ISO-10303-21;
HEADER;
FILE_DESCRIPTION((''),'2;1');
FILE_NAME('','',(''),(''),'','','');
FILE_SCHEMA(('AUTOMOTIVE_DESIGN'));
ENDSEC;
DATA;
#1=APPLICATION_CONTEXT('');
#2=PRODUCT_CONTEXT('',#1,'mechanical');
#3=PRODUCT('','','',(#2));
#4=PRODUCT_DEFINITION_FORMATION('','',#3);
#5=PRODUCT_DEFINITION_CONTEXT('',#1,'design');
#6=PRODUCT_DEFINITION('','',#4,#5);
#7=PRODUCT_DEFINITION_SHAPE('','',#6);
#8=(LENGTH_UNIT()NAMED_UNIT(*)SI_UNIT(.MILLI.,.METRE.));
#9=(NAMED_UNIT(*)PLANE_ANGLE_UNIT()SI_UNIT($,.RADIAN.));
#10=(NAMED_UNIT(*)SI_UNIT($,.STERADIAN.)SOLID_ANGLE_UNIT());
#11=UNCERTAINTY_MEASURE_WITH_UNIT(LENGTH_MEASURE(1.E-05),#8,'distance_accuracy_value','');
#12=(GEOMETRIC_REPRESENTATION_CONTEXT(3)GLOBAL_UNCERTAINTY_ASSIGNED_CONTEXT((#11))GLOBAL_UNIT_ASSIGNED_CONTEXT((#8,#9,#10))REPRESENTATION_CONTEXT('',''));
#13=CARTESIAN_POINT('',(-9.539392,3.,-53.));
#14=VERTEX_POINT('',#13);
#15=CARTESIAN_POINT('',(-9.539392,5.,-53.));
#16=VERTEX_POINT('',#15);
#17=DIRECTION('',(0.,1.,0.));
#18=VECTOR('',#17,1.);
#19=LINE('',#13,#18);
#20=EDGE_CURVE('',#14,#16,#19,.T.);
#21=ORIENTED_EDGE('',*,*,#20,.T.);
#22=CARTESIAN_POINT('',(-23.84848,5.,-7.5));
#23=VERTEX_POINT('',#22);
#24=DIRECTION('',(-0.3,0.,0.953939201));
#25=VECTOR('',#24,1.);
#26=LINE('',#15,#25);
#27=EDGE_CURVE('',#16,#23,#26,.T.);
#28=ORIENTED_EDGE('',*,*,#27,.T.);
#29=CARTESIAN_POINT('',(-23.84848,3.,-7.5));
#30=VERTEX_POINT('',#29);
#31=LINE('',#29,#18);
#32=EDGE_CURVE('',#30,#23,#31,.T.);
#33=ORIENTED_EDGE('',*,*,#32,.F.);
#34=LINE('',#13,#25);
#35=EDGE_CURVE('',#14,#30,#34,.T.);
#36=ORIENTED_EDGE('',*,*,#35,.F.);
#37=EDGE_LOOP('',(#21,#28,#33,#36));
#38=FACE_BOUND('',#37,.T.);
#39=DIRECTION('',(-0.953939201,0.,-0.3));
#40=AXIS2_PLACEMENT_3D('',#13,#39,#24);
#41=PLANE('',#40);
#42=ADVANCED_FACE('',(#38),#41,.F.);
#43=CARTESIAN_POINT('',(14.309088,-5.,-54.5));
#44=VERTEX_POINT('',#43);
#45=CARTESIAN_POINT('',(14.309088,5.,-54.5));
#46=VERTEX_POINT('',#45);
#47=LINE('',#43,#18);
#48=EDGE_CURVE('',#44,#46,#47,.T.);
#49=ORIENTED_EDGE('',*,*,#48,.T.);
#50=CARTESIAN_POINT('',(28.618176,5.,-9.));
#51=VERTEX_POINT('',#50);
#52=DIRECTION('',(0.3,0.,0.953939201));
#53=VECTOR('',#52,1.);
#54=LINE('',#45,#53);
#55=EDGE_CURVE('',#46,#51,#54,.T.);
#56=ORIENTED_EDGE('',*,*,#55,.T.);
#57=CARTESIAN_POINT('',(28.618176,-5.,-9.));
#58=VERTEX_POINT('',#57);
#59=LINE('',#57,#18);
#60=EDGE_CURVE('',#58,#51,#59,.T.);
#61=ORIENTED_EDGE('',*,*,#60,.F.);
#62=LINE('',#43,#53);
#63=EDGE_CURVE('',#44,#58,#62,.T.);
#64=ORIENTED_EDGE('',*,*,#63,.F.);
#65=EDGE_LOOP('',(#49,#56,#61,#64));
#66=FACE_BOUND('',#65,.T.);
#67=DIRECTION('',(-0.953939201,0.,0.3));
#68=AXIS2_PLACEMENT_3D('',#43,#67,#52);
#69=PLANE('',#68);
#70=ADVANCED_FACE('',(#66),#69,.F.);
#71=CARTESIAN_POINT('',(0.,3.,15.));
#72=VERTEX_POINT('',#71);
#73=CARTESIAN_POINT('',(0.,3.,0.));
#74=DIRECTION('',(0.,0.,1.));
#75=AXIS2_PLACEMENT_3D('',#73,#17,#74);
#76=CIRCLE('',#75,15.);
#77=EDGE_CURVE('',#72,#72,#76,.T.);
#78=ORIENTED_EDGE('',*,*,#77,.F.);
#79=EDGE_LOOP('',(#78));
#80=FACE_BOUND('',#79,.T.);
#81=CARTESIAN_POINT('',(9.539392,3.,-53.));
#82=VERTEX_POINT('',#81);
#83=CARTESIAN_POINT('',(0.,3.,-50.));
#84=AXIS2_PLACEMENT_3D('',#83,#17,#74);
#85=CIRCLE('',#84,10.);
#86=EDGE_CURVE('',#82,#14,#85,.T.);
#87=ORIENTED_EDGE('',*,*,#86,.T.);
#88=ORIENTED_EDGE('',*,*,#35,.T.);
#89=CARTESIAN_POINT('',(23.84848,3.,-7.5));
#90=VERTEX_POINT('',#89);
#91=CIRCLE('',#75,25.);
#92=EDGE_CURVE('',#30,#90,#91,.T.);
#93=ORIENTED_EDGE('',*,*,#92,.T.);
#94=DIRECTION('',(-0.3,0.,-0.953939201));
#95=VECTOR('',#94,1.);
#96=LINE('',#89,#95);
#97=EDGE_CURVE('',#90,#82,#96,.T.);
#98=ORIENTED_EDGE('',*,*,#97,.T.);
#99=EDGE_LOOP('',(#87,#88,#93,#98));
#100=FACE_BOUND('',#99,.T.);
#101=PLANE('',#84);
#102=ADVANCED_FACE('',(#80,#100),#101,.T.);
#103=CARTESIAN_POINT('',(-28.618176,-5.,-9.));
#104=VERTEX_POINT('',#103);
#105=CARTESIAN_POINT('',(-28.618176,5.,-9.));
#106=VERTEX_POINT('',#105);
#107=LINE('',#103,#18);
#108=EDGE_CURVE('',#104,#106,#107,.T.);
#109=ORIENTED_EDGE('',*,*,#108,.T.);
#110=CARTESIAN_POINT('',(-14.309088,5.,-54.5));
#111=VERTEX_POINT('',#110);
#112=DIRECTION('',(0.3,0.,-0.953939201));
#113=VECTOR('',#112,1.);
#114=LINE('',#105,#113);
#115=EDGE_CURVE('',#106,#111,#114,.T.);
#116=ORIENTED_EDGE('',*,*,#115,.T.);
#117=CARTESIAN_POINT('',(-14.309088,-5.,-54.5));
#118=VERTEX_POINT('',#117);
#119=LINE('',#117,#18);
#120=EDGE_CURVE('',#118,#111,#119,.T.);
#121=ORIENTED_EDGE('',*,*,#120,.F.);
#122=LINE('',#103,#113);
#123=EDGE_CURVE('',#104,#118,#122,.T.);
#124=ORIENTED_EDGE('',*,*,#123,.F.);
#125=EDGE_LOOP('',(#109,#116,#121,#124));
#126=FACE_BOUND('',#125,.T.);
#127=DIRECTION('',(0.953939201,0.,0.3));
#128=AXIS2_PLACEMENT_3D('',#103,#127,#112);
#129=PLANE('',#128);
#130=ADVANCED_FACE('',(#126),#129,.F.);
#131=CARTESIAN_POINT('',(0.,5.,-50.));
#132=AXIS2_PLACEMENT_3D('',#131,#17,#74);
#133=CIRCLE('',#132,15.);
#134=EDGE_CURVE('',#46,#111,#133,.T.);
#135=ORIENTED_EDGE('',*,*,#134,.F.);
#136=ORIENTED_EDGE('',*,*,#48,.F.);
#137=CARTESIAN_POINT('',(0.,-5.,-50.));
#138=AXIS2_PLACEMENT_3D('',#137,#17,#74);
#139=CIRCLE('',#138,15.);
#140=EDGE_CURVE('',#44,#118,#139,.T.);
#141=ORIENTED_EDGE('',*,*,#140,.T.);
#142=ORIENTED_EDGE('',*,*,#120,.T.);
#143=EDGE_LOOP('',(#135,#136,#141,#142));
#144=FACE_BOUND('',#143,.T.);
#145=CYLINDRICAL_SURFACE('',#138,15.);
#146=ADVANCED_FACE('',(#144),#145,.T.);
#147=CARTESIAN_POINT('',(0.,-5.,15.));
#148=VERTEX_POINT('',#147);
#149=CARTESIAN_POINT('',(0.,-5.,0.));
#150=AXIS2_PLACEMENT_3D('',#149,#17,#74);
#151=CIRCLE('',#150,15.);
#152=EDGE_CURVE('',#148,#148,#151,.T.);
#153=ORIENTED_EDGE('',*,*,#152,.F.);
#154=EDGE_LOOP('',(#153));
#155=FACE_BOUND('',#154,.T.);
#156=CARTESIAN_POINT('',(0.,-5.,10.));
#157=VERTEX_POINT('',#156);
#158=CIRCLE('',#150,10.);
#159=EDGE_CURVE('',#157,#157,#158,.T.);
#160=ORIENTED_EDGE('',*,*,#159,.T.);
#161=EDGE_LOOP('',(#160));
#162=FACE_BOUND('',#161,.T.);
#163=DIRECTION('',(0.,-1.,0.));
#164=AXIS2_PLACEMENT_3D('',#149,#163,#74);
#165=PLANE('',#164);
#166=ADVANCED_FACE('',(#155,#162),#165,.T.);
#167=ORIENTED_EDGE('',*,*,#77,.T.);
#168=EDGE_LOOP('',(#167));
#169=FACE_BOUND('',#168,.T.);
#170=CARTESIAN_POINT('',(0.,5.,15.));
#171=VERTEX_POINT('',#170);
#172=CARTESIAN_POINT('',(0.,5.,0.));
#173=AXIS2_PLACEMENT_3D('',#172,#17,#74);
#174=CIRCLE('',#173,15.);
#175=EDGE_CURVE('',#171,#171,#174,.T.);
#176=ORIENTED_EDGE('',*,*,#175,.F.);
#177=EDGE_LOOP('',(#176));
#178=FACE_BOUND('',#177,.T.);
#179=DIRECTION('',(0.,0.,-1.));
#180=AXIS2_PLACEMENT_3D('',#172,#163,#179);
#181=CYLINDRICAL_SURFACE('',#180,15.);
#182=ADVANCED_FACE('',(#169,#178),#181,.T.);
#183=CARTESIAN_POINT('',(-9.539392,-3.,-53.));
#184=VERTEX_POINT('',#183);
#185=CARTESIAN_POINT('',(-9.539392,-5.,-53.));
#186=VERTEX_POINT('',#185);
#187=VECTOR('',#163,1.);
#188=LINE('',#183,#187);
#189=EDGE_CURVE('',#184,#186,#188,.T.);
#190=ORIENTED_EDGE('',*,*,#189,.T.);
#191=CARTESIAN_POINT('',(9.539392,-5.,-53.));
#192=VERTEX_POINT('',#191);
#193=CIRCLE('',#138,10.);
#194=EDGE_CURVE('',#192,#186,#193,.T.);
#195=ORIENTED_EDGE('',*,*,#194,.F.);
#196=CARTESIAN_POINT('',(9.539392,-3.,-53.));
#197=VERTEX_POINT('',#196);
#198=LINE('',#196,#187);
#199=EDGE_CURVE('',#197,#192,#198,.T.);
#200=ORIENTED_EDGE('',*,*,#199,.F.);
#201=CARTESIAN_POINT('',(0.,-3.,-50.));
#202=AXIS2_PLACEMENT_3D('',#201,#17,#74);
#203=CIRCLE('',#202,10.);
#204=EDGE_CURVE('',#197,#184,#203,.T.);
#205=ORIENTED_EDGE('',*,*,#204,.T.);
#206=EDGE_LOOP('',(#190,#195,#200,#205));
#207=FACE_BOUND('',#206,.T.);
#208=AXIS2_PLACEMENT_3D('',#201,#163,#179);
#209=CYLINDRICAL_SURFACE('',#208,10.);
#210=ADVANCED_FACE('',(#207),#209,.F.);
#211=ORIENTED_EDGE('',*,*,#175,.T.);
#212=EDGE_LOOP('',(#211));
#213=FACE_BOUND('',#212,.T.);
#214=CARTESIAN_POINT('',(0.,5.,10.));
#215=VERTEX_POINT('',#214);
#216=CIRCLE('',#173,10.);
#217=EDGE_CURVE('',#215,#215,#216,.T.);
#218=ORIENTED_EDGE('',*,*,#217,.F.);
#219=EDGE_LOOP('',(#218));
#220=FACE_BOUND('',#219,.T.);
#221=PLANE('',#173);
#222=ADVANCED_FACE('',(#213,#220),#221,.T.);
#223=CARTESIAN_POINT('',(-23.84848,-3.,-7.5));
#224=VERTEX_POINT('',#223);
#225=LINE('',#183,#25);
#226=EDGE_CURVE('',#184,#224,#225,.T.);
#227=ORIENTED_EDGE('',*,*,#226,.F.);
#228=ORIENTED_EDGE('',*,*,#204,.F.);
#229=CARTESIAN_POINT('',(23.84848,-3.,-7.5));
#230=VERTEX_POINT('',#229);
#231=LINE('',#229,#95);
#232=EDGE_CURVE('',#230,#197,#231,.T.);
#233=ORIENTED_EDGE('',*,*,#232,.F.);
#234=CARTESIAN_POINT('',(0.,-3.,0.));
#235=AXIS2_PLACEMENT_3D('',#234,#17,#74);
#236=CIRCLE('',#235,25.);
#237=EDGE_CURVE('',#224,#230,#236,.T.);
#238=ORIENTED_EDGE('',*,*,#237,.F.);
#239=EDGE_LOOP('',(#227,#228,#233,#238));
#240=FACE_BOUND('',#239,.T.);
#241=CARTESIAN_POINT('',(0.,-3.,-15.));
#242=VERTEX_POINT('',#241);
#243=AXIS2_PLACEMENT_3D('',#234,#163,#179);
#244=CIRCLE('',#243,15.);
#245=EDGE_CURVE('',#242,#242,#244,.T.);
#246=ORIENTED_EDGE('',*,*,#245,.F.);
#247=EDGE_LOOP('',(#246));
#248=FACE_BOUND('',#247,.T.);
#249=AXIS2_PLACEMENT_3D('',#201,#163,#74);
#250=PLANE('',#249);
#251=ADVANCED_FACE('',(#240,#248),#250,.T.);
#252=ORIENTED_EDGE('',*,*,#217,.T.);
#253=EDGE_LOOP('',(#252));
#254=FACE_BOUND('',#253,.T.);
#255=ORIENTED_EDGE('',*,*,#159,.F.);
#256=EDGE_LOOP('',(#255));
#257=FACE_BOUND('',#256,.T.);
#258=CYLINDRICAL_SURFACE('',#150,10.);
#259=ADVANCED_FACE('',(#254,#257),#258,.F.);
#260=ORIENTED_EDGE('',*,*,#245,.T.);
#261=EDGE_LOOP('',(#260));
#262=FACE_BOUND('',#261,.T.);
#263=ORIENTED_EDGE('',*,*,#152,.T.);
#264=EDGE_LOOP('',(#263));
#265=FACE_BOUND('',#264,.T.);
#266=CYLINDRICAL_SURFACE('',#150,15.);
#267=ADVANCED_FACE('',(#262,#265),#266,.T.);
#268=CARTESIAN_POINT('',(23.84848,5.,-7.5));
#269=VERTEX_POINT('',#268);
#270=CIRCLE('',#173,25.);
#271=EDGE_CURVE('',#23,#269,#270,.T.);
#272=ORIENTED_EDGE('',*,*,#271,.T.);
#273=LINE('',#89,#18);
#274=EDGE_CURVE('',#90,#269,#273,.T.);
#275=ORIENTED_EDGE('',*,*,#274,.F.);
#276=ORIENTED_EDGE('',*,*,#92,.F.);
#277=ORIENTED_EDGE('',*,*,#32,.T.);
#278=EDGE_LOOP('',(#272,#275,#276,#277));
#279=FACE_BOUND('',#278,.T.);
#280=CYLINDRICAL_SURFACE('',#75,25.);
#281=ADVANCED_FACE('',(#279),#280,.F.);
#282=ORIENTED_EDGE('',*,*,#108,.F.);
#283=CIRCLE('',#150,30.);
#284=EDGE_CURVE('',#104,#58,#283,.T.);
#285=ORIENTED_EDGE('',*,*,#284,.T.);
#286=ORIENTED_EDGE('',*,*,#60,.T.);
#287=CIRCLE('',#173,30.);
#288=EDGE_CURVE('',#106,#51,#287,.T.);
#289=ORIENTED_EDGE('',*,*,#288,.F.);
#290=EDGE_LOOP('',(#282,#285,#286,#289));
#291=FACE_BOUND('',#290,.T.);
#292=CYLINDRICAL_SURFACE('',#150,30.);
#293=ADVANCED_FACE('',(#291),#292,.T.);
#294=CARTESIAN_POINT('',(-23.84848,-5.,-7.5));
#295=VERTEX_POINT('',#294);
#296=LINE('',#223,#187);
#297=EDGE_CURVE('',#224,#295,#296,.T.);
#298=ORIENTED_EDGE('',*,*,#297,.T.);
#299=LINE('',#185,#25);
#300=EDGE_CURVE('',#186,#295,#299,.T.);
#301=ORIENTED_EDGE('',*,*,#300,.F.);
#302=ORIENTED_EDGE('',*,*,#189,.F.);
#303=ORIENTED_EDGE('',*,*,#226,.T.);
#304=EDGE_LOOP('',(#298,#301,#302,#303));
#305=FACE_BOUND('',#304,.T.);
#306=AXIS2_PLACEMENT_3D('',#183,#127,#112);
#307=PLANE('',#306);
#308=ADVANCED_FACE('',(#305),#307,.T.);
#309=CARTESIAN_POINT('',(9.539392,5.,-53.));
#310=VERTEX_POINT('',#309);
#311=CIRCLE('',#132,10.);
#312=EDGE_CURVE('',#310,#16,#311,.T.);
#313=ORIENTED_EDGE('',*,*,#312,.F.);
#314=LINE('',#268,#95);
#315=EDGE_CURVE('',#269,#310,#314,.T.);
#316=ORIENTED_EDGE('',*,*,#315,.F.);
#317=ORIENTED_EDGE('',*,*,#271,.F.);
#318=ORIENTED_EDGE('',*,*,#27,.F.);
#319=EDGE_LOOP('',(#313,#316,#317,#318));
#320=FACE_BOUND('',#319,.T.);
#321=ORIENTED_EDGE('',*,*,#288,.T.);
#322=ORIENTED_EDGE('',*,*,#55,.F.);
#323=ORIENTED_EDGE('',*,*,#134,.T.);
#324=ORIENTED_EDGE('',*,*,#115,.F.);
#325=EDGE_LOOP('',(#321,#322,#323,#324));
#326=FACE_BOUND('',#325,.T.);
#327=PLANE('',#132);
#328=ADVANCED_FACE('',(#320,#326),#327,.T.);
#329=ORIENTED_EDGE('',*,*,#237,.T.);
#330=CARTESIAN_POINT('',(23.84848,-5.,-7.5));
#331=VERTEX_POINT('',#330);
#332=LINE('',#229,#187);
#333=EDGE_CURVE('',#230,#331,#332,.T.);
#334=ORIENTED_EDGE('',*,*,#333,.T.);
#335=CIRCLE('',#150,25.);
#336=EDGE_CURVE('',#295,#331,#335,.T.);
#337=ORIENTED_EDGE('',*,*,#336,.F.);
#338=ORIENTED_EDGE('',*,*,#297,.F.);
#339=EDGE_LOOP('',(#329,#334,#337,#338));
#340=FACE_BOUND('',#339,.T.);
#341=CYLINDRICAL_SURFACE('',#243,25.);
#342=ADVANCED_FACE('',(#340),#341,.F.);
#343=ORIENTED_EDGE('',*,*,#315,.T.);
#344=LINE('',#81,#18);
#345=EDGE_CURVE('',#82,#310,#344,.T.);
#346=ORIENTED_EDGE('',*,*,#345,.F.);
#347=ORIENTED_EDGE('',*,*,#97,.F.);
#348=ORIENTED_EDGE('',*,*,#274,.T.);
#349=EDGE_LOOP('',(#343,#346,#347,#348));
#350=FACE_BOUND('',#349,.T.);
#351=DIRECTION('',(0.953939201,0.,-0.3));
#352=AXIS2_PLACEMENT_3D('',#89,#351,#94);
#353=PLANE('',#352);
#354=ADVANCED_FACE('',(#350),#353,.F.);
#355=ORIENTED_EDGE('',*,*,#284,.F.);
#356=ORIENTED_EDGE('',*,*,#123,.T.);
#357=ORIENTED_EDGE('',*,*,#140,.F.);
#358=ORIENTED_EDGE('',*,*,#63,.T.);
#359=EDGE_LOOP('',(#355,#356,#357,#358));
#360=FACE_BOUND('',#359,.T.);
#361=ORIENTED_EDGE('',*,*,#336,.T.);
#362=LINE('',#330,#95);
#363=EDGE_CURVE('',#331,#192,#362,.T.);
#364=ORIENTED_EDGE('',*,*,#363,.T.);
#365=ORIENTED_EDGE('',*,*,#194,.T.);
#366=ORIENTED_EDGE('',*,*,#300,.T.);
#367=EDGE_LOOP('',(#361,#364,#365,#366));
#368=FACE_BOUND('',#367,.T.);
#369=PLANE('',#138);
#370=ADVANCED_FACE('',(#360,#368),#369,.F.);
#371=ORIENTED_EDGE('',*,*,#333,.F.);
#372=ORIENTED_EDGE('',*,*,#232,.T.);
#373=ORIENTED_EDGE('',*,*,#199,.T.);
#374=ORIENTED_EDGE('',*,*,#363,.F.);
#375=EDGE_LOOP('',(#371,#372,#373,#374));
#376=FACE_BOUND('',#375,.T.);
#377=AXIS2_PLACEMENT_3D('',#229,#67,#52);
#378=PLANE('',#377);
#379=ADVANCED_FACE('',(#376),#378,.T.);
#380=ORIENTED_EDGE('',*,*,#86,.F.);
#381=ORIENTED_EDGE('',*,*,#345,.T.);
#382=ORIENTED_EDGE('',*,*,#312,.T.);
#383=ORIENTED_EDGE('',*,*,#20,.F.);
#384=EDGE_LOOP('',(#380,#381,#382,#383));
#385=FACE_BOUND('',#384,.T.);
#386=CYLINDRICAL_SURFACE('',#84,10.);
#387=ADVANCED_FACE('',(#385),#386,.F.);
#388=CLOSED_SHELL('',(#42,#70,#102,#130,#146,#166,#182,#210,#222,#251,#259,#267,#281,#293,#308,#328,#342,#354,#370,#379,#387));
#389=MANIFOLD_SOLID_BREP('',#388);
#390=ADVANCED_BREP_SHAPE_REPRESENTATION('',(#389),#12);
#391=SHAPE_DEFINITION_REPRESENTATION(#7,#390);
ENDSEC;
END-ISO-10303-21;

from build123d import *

# Parameters (mm, degrees)
BOSS_EXTRUDE1_DEPTH = 5
CUT_EXTRUDE1_DEPTH  = 2
SKETCH3_R           = 10
CUT_EXTRUDE4_DEPTH  = 73.034713854
BOSS_EXTRUDE2_START = 2
SKETCH5_R           = 15
SKETCH5_R_2         = 10
BOSS_EXTRUDE2_DEPTH = 2


with BuildPart() as part:
    # Sketch1 → Boss-Extrude1 (new, symmetric)
    with BuildSketch(Plane(origin=(0, 0, 0), x_dir=(1, 0, 0), z_dir=(0, 1, 0))):
        with BuildLine():
            Line((-28.618176043, 9), (-14.309088021, 54.5))
            ThreePointArc((-14.309088021, 54.5), (0, 65), (14.309088021, 54.5))
            Line((14.309088021, 54.5), (28.618176043, 9))
            ThreePointArc((28.618176043, 9), (0, -30), (-28.618176043, 9))
        make_face()
    extrude(amount=BOSS_EXTRUDE1_DEPTH, both=True)

    # Sketch2 → Cut-Extrude1 (cut)
    with BuildSketch(Plane(origin=(0, 5, 0), x_dir=(1, 0, 0), z_dir=(0, 1, 0))):
        with BuildLine():
            Line((-9.539392014, 53), (-23.848480035, 7.5))
            ThreePointArc((-23.848480035, 7.5), (0, -25), (23.848480035, 7.5))
            Line((23.848480035, 7.5), (9.539392014, 53))
            ThreePointArc((9.539392014, 53), (0, 60), (-9.539392014, 53))
        make_face()
    cut_extrude1 = extrude(amount=-CUT_EXTRUDE1_DEPTH, mode=Mode.SUBTRACT)

    # Mirror1: Cut-Extrude1 across plane
    add(cut_extrude1.mirror(Plane.ZX), mode=Mode.SUBTRACT)

    # Sketch3 → Cut-Extrude4 (cut, through all)
    with BuildSketch(Plane(origin=(0, 3, 0), x_dir=(1, 0, 0), z_dir=(0, 1, 0))):
        with Locations(Location((0, 0, 0), (0, 0, 270))):
            Circle(SKETCH3_R)
    extrude(amount=-CUT_EXTRUDE4_DEPTH, mode=Mode.SUBTRACT)

    # Sketch5 → Boss-Extrude2 (add)
    with BuildSketch(Plane(origin=(0, 3, 0), x_dir=(1, 0, 0), z_dir=(0, 1, 0)).offset(BOSS_EXTRUDE2_START)):
        with Locations(Location((0, 0, 0), (0, 0, 270))):
            Circle(SKETCH5_R)
        with Locations(Location((0, 0, 0), (0, 0, 270))):
            Circle(SKETCH5_R_2, mode=Mode.SUBTRACT)
    boss_extrude2 = extrude(amount=-BOSS_EXTRUDE2_DEPTH)

    # Mirror2: Boss-Extrude2 across plane
    add(boss_extrude2.mirror(Plane.ZX))


solid = part.part
